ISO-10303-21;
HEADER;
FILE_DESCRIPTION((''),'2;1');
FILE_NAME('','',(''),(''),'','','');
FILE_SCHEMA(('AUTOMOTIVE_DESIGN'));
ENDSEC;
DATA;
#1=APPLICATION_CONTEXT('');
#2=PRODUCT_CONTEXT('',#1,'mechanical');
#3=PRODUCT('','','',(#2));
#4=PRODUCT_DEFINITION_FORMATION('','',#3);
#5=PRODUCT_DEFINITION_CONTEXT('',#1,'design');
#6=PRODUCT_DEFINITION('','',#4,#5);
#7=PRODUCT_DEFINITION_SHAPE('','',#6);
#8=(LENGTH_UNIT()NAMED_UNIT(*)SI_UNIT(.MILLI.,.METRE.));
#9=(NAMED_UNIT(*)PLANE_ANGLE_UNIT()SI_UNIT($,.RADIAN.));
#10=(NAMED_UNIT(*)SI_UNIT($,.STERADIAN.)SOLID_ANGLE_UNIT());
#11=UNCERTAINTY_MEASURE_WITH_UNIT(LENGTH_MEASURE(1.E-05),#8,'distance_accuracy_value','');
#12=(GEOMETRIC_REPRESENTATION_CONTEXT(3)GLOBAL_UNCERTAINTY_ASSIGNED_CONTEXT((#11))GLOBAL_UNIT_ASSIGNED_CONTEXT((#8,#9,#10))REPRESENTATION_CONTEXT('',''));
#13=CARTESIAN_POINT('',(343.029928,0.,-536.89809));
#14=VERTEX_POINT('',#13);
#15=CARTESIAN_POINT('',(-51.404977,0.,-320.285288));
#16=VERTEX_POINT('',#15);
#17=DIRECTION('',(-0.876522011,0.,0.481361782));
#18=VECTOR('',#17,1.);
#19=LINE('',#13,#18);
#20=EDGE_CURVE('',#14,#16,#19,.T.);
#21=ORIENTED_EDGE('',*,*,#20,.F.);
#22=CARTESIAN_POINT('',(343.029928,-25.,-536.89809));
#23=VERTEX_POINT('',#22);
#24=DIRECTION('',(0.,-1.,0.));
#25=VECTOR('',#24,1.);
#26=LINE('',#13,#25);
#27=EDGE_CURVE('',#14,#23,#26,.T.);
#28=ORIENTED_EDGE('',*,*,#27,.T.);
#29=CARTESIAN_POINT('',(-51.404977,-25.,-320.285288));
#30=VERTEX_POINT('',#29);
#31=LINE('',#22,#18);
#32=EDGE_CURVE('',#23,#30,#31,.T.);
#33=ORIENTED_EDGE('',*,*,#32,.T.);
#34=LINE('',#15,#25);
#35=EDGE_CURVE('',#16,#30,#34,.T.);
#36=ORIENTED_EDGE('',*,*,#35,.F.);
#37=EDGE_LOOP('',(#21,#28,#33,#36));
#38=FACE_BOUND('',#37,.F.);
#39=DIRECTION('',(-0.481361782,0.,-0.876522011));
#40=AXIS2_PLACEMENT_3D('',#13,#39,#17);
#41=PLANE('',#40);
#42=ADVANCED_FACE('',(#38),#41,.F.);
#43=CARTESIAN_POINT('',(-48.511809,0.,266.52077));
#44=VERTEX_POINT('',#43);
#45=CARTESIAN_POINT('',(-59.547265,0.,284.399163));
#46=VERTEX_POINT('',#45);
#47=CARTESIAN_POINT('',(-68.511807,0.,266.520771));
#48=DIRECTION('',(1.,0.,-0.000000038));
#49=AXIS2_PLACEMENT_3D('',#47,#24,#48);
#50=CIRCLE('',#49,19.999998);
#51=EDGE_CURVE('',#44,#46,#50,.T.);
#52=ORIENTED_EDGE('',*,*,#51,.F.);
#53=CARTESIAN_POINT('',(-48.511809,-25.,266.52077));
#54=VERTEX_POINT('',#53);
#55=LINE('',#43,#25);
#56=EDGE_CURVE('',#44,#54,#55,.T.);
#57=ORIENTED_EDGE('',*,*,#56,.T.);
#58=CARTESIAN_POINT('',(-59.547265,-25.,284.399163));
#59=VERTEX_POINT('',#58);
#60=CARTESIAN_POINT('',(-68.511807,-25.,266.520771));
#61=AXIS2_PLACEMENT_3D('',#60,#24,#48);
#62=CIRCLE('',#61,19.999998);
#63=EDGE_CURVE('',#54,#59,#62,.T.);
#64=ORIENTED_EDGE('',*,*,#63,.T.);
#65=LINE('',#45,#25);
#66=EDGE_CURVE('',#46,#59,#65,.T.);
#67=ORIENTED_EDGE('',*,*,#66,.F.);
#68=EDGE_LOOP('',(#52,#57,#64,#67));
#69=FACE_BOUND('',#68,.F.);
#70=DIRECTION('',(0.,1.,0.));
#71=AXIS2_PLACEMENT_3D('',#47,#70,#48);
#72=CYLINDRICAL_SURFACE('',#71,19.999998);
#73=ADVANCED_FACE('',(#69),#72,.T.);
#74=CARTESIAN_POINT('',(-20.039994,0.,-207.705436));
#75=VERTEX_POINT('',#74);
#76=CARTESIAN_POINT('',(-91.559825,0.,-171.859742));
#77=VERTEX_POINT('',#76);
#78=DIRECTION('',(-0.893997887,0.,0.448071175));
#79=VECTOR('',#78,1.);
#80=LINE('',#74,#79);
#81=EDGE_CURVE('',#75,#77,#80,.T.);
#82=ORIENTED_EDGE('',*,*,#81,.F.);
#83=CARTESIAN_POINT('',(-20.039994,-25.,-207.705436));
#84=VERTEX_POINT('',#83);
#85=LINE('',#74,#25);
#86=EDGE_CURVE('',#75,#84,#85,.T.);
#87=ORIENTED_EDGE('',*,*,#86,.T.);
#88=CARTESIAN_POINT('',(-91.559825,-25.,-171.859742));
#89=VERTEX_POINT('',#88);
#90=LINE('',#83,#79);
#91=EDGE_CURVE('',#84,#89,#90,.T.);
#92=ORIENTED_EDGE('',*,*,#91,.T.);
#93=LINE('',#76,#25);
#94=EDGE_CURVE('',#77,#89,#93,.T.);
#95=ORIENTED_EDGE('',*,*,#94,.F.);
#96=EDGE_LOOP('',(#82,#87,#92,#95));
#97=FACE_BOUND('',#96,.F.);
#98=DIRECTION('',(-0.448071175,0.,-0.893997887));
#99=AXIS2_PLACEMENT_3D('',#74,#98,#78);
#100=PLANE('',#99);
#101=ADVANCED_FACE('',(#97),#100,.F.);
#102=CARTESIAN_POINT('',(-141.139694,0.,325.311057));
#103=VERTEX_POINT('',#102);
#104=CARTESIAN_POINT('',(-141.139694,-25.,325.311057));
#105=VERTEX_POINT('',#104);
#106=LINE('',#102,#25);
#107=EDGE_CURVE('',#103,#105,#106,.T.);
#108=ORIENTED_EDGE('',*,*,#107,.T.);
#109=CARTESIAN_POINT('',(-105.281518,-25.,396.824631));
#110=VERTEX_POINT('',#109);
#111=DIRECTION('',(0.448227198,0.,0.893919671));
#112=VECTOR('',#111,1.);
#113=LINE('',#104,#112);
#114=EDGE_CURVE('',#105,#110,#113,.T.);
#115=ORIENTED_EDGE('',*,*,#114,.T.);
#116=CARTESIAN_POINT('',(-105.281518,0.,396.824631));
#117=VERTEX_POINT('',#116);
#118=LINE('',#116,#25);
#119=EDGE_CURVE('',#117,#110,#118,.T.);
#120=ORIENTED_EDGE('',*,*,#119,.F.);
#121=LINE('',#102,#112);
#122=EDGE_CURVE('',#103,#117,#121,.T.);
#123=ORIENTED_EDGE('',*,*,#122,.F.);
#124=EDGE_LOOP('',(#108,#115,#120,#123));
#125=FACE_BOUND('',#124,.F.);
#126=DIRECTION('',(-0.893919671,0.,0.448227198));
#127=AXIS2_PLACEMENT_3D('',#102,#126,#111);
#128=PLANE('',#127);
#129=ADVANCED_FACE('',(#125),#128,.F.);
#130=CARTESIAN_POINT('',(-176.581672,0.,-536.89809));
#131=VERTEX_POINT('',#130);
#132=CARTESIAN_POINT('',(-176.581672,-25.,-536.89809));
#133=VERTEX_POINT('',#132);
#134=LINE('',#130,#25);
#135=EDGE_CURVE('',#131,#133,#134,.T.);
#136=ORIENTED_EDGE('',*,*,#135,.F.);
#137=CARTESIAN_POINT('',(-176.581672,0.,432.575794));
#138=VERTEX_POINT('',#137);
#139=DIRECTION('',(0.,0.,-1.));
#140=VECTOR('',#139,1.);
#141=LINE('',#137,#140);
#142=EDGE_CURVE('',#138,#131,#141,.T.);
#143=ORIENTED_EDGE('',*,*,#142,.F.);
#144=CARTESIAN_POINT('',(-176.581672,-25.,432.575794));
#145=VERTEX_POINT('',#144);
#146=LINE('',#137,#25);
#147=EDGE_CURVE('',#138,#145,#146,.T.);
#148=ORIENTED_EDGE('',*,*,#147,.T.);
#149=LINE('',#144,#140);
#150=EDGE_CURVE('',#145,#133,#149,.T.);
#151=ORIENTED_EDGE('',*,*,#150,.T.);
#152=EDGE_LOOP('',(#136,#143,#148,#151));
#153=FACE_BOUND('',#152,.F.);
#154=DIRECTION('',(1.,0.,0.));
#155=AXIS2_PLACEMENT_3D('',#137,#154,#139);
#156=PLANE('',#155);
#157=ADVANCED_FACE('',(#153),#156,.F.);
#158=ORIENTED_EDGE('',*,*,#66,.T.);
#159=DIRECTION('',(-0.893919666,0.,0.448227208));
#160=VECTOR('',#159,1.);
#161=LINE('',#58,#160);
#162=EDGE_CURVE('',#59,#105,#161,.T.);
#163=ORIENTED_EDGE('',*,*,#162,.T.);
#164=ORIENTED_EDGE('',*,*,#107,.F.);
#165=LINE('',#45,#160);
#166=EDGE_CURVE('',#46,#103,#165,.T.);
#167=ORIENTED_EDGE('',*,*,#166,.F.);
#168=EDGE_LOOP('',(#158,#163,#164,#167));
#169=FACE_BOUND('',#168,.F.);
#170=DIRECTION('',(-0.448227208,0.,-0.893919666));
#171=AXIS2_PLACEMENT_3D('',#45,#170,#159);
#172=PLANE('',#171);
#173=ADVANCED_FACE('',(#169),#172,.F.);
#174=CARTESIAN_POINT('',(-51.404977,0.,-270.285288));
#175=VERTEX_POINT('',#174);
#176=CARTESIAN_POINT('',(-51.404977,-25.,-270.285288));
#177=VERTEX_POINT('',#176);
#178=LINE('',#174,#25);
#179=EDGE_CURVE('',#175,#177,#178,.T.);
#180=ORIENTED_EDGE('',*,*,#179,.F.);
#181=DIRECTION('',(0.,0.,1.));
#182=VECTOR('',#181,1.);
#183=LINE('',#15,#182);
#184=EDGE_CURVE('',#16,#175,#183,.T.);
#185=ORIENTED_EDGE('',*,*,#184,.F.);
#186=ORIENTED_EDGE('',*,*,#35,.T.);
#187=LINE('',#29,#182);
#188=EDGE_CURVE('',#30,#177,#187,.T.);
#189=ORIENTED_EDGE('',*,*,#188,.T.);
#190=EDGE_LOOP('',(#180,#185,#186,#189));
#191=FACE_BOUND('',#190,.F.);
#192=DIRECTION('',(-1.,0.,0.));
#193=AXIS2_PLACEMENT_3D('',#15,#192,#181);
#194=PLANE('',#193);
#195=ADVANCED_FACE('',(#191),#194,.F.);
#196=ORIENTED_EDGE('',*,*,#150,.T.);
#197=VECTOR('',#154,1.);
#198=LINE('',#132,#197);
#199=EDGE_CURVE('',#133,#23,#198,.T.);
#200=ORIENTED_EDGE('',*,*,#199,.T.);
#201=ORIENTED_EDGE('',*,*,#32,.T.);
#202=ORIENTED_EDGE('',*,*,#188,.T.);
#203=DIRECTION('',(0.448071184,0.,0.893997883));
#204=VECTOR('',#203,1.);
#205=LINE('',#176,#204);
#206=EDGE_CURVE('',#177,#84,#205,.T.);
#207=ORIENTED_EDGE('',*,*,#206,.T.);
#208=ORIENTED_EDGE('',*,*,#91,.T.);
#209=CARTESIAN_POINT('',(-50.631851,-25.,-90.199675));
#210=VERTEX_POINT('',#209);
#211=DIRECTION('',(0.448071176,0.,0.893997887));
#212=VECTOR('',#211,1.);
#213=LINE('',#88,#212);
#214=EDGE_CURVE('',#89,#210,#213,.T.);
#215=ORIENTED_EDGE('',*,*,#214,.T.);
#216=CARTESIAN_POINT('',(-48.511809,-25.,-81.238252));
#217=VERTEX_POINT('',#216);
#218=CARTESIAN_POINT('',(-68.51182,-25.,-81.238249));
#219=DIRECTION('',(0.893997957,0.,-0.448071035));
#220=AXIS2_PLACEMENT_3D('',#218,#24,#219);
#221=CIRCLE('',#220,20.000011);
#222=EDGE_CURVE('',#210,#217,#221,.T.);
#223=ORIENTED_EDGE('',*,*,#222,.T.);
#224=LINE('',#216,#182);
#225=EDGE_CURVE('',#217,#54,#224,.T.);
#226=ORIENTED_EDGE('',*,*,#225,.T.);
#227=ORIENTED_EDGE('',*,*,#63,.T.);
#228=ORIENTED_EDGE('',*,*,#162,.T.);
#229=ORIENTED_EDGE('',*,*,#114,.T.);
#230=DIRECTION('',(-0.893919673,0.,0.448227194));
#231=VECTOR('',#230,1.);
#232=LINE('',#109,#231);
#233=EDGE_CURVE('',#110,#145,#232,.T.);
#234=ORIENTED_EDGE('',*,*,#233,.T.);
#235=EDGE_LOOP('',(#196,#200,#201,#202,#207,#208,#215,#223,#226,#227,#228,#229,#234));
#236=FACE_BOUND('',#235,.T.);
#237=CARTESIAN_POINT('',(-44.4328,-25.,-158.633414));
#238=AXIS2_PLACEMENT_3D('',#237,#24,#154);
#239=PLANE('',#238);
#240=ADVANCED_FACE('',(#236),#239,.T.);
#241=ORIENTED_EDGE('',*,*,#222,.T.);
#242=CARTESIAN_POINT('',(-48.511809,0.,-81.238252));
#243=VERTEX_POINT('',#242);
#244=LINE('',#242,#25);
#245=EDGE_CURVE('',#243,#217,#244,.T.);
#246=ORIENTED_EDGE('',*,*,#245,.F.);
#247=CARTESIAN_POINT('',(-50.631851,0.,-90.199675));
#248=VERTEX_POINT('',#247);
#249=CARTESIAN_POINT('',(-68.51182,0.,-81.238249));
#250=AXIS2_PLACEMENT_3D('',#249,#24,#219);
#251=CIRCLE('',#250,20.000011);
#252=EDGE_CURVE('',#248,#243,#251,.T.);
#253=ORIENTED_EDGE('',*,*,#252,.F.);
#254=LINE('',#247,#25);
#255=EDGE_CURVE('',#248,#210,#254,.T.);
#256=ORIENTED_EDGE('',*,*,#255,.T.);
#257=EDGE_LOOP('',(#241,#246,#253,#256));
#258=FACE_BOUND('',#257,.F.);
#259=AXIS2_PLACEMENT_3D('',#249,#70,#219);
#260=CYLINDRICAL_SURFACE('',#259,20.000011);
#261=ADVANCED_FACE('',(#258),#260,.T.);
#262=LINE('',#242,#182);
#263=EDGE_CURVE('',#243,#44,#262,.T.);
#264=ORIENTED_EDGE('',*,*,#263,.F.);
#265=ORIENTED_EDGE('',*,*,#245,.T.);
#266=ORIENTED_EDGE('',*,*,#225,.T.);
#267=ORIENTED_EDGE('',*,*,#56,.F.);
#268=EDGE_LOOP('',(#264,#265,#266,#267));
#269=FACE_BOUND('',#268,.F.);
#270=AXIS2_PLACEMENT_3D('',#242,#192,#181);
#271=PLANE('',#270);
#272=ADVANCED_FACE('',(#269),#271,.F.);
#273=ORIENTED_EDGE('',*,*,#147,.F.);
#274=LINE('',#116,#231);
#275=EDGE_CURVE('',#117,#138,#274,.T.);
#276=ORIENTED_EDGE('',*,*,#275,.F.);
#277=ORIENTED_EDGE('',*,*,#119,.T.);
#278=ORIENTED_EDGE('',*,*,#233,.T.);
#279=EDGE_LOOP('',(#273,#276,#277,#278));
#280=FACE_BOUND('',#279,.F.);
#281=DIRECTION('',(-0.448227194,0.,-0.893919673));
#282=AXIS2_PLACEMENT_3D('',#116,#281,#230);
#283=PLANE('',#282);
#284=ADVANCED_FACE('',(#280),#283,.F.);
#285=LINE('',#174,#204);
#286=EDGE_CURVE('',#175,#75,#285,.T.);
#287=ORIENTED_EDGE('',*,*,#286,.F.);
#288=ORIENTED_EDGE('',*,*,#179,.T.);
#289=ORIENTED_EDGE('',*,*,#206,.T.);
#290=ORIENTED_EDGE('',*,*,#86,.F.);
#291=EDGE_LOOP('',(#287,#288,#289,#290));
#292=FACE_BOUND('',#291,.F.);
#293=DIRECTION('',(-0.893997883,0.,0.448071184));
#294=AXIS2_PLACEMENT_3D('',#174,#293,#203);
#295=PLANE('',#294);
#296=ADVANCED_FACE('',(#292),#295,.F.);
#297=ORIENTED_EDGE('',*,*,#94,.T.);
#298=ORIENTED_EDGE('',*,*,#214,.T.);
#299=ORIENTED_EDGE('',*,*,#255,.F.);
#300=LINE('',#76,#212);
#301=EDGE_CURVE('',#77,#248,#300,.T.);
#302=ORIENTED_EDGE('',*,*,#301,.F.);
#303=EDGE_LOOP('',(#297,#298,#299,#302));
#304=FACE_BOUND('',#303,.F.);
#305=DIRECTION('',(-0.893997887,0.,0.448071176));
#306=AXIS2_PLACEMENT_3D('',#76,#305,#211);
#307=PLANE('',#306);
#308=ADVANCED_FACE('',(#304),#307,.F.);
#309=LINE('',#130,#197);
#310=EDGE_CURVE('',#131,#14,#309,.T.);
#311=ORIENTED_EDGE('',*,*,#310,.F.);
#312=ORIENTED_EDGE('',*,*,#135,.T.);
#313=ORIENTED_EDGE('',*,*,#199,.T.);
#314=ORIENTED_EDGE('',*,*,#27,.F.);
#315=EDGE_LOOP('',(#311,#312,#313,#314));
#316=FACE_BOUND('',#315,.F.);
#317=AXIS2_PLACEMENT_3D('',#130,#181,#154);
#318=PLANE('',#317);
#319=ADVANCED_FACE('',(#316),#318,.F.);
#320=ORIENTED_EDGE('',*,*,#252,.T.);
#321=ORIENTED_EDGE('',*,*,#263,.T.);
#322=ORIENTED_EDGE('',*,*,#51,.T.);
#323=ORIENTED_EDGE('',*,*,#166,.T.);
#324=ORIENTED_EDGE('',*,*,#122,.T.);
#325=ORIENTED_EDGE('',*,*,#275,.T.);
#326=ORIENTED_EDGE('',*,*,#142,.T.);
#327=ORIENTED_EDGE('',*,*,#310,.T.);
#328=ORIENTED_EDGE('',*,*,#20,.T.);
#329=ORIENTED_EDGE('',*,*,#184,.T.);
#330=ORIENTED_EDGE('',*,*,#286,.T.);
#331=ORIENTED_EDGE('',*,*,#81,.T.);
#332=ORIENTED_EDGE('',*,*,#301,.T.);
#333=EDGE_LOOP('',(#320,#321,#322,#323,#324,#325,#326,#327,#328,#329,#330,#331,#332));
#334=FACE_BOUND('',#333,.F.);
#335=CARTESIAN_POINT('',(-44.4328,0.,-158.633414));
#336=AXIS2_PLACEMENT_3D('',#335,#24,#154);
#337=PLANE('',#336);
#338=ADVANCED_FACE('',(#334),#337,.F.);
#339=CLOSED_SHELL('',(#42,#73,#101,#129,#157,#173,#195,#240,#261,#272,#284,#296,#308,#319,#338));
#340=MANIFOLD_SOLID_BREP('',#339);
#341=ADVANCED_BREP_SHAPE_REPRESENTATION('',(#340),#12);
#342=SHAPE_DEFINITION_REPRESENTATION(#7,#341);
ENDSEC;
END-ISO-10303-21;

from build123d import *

# Parameters (mm, degrees)
F1_DEPTH = 25


with BuildPart() as f1:
    # F0 (on Front) → F1 (new body)
    with BuildSketch(Plane.XZ):
        with BuildLine():
            Line((-176.581672, -536.89809), (343.029928, -536.89809))
            Line((343.029928, -536.89809), (-51.404977, -320.285288))
            Line((-51.404977, -320.285288), (-51.404977, -270.285288))
            Line((-51.404977, -270.285288), (-20.039994, -207.705436))
            Line((-20.039994, -207.705436), (-91.559825, -171.859742))
            Line((-91.559825, -171.859742), (-50.631851, -90.199675))
            ThreePointArc((-50.631851, -90.199675), (-49.049035, -85.842643), (-48.511809, -81.238252))
            Line((-48.511809, -81.238252), (-48.511809, 266.52077))
            ThreePointArc((-48.511809, 266.52077), (-51.492836, 277.025748), (-59.547265, 284.399163))
            Line((-59.547265, 284.399163), (-141.139694, 325.311057))
            Line((-141.139694, 325.311057), (-105.281518, 396.824631))
            Line((-105.281518, 396.824631), (-176.581672, 432.575794))
            Line((-176.581672, 432.575794), (-176.581672, -536.89809))
        make_face()
    extrude(amount=F1_DEPTH)


solid = f1.part
